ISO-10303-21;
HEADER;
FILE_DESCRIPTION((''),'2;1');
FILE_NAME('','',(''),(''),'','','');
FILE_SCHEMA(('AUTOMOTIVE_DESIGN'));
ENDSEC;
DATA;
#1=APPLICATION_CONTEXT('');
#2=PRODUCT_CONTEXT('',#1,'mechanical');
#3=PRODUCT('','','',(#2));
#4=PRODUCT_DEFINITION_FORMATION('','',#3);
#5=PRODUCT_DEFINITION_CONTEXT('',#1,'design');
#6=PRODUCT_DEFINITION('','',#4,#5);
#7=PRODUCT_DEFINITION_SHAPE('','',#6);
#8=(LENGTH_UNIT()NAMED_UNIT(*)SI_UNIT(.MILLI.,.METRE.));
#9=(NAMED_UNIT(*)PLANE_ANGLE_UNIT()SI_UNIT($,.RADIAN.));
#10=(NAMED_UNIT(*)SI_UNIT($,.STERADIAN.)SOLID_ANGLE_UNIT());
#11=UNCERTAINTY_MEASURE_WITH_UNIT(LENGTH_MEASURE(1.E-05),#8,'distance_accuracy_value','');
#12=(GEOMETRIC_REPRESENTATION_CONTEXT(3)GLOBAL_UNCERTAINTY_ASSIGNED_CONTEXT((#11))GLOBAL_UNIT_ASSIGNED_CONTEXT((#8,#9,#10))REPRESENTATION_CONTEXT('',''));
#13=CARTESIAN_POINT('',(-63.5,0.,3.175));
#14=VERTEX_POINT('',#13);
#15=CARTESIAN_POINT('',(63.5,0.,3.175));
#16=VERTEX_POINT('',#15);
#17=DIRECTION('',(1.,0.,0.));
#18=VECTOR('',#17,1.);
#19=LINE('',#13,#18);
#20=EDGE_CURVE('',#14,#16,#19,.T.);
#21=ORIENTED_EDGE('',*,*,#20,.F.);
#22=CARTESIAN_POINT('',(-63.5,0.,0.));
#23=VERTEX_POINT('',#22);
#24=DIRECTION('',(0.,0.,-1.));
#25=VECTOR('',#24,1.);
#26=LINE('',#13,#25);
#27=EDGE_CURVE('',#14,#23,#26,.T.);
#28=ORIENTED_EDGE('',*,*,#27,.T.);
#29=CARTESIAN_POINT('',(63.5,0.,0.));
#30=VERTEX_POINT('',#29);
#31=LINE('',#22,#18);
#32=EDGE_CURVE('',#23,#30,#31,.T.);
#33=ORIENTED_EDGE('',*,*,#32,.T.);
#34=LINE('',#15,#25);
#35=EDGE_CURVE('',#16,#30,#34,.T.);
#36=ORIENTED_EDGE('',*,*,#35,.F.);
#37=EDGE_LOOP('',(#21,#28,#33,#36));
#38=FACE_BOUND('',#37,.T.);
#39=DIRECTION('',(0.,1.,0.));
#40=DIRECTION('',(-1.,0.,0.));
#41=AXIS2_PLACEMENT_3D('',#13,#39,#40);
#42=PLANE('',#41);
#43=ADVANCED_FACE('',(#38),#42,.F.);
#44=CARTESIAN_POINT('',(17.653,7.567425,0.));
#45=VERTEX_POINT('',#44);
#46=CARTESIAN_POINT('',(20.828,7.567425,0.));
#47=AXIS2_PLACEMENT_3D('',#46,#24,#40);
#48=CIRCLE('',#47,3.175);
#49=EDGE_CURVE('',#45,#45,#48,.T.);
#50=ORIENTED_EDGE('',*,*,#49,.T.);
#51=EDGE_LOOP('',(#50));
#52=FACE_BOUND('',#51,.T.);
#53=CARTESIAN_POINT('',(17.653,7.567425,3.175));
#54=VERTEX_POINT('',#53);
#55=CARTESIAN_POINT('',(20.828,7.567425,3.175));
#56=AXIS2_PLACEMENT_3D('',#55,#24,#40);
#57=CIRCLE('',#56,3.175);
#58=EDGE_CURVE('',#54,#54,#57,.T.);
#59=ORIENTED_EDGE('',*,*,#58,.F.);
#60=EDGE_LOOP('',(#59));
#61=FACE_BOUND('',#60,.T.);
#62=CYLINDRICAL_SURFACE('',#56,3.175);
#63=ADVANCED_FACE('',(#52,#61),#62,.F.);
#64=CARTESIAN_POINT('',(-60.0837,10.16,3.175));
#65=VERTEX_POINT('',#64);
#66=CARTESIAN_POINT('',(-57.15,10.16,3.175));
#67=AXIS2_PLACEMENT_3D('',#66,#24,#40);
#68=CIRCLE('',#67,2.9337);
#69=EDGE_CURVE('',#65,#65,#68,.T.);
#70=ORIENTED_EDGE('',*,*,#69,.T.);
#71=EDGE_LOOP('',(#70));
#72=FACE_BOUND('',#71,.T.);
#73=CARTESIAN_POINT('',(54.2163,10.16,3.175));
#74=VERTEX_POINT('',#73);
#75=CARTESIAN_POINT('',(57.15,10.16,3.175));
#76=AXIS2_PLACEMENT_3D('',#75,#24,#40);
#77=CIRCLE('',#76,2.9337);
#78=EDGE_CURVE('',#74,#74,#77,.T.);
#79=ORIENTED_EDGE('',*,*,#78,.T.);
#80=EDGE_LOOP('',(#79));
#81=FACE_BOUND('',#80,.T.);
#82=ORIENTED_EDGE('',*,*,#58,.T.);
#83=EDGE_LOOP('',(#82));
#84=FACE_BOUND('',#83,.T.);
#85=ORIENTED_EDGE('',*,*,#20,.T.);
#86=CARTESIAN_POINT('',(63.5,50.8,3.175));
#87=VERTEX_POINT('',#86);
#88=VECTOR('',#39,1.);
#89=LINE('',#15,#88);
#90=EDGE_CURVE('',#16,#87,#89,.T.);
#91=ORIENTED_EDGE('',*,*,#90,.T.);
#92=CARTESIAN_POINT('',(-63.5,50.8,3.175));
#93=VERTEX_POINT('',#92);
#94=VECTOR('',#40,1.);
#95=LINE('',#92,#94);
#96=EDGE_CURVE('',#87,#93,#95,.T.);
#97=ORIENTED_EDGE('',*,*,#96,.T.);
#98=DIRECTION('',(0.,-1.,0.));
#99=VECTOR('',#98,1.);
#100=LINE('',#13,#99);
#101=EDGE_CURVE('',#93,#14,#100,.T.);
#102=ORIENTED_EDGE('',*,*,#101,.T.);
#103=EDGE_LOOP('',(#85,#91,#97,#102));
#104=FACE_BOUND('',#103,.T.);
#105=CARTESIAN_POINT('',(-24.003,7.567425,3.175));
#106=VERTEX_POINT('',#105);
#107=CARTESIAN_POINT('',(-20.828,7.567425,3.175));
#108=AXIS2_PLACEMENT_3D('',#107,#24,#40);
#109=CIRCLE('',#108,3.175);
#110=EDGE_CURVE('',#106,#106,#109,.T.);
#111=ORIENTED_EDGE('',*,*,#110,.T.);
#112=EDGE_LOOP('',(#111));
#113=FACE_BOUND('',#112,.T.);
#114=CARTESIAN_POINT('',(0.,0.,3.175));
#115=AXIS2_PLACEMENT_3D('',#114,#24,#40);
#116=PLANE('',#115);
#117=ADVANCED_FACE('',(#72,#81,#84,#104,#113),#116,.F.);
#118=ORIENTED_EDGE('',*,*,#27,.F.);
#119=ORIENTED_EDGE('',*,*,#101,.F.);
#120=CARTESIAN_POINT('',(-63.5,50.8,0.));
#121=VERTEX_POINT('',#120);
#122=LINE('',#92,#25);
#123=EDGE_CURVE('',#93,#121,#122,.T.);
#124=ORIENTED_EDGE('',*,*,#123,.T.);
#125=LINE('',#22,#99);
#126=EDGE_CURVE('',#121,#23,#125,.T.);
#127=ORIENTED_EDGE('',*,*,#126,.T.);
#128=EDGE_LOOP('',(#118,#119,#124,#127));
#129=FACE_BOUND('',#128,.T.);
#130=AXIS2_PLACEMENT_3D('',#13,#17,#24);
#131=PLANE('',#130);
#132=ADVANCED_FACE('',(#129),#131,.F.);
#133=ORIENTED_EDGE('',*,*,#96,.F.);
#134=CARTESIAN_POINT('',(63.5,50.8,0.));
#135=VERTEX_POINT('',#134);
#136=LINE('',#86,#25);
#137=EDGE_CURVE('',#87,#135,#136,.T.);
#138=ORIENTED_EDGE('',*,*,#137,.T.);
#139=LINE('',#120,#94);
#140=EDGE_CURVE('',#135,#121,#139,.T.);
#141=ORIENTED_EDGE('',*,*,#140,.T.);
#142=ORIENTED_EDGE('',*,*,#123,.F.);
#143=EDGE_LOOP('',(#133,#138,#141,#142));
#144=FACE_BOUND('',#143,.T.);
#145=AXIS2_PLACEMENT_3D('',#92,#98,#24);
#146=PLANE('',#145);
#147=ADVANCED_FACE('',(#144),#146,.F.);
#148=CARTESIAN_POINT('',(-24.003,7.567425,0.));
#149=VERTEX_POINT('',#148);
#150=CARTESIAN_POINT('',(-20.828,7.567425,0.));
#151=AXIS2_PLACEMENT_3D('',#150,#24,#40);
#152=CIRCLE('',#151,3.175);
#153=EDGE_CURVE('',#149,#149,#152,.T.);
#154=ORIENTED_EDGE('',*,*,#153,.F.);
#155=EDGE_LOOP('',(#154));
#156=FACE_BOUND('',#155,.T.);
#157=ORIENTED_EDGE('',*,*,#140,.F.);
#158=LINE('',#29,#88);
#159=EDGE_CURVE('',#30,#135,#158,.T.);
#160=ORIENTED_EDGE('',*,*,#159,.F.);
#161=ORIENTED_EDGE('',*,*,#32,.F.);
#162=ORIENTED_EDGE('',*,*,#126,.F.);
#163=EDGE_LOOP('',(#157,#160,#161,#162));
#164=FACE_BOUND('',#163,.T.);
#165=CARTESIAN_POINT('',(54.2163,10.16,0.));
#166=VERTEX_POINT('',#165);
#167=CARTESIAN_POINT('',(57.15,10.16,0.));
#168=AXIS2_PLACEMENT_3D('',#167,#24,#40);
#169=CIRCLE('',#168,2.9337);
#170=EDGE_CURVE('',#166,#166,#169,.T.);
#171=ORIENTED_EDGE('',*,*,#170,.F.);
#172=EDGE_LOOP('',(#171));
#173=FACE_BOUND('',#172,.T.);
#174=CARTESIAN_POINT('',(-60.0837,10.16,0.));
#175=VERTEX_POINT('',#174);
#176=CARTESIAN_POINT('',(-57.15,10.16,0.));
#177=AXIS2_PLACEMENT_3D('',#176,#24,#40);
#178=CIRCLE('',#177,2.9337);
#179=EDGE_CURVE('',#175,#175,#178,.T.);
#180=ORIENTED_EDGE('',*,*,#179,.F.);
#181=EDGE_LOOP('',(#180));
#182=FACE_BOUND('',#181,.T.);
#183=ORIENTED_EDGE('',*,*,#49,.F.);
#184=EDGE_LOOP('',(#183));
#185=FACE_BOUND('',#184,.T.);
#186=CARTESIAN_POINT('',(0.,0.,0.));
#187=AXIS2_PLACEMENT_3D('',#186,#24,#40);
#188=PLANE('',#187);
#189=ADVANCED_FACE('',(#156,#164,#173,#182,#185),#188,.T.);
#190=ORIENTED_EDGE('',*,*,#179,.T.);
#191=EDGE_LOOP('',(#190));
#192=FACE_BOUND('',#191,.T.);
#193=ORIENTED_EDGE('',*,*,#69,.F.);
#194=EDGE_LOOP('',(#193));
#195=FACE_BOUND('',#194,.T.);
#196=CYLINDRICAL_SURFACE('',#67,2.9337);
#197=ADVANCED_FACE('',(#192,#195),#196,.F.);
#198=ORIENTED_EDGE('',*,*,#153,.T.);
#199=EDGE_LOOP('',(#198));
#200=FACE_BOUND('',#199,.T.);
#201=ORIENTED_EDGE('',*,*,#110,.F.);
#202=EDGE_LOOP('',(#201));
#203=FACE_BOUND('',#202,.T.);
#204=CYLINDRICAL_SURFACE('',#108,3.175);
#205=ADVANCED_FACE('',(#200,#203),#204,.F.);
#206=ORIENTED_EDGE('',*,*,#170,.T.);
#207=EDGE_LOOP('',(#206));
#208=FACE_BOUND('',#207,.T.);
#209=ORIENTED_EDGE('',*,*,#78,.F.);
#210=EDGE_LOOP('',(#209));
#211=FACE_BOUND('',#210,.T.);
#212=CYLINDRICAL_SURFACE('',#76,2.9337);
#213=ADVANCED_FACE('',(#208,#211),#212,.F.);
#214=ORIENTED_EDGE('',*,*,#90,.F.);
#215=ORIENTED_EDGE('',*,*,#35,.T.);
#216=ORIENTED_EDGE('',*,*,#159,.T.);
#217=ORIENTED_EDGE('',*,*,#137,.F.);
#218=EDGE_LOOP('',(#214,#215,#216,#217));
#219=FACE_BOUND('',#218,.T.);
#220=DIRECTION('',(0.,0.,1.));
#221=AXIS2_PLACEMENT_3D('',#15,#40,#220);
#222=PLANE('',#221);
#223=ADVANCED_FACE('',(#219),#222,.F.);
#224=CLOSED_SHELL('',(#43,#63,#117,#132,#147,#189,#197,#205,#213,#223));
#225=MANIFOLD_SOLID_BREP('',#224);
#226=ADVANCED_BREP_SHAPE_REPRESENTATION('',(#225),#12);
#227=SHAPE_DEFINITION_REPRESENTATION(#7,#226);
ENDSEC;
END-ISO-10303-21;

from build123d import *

# Parameters (mm, degrees)
SKETCH1_W           = 127
SKETCH1_H           = 50.8
BOSS_EXTRUDE1_DEPTH = 3.175
SKETCH2_R           = 2.9337
SKETCH2_R_2         = 3.175
CUT_EXTRUDE1_DEPTH  = 4.175


with BuildPart() as part:
    # Sketch1 → Boss-Extrude1 (new body)
    with BuildSketch(Plane.XY):
        with Locations((0, 25.4)):
            Rectangle(SKETCH1_W, SKETCH1_H)
    extrude(amount=BOSS_EXTRUDE1_DEPTH)

    # Sketch2 → Cut-Extrude1 (cut, through all)
    with BuildSketch(Plane(origin=(0, 0, 0), x_dir=(-1, 0, 0), z_dir=(0, 0, -1))):
        with Locations((-57.15, 10.16)):
            Circle(SKETCH2_R)
        with Locations((57.15, 10.16)):
            Circle(SKETCH2_R)
        with Locations((20.828, 7.567424528)):
            Circle(SKETCH2_R_2)
        with Locations((-20.828, 7.567424528)):
            Circle(SKETCH2_R_2)
    extrude(amount=-CUT_EXTRUDE1_DEPTH, mode=Mode.SUBTRACT)


solid = part.part
